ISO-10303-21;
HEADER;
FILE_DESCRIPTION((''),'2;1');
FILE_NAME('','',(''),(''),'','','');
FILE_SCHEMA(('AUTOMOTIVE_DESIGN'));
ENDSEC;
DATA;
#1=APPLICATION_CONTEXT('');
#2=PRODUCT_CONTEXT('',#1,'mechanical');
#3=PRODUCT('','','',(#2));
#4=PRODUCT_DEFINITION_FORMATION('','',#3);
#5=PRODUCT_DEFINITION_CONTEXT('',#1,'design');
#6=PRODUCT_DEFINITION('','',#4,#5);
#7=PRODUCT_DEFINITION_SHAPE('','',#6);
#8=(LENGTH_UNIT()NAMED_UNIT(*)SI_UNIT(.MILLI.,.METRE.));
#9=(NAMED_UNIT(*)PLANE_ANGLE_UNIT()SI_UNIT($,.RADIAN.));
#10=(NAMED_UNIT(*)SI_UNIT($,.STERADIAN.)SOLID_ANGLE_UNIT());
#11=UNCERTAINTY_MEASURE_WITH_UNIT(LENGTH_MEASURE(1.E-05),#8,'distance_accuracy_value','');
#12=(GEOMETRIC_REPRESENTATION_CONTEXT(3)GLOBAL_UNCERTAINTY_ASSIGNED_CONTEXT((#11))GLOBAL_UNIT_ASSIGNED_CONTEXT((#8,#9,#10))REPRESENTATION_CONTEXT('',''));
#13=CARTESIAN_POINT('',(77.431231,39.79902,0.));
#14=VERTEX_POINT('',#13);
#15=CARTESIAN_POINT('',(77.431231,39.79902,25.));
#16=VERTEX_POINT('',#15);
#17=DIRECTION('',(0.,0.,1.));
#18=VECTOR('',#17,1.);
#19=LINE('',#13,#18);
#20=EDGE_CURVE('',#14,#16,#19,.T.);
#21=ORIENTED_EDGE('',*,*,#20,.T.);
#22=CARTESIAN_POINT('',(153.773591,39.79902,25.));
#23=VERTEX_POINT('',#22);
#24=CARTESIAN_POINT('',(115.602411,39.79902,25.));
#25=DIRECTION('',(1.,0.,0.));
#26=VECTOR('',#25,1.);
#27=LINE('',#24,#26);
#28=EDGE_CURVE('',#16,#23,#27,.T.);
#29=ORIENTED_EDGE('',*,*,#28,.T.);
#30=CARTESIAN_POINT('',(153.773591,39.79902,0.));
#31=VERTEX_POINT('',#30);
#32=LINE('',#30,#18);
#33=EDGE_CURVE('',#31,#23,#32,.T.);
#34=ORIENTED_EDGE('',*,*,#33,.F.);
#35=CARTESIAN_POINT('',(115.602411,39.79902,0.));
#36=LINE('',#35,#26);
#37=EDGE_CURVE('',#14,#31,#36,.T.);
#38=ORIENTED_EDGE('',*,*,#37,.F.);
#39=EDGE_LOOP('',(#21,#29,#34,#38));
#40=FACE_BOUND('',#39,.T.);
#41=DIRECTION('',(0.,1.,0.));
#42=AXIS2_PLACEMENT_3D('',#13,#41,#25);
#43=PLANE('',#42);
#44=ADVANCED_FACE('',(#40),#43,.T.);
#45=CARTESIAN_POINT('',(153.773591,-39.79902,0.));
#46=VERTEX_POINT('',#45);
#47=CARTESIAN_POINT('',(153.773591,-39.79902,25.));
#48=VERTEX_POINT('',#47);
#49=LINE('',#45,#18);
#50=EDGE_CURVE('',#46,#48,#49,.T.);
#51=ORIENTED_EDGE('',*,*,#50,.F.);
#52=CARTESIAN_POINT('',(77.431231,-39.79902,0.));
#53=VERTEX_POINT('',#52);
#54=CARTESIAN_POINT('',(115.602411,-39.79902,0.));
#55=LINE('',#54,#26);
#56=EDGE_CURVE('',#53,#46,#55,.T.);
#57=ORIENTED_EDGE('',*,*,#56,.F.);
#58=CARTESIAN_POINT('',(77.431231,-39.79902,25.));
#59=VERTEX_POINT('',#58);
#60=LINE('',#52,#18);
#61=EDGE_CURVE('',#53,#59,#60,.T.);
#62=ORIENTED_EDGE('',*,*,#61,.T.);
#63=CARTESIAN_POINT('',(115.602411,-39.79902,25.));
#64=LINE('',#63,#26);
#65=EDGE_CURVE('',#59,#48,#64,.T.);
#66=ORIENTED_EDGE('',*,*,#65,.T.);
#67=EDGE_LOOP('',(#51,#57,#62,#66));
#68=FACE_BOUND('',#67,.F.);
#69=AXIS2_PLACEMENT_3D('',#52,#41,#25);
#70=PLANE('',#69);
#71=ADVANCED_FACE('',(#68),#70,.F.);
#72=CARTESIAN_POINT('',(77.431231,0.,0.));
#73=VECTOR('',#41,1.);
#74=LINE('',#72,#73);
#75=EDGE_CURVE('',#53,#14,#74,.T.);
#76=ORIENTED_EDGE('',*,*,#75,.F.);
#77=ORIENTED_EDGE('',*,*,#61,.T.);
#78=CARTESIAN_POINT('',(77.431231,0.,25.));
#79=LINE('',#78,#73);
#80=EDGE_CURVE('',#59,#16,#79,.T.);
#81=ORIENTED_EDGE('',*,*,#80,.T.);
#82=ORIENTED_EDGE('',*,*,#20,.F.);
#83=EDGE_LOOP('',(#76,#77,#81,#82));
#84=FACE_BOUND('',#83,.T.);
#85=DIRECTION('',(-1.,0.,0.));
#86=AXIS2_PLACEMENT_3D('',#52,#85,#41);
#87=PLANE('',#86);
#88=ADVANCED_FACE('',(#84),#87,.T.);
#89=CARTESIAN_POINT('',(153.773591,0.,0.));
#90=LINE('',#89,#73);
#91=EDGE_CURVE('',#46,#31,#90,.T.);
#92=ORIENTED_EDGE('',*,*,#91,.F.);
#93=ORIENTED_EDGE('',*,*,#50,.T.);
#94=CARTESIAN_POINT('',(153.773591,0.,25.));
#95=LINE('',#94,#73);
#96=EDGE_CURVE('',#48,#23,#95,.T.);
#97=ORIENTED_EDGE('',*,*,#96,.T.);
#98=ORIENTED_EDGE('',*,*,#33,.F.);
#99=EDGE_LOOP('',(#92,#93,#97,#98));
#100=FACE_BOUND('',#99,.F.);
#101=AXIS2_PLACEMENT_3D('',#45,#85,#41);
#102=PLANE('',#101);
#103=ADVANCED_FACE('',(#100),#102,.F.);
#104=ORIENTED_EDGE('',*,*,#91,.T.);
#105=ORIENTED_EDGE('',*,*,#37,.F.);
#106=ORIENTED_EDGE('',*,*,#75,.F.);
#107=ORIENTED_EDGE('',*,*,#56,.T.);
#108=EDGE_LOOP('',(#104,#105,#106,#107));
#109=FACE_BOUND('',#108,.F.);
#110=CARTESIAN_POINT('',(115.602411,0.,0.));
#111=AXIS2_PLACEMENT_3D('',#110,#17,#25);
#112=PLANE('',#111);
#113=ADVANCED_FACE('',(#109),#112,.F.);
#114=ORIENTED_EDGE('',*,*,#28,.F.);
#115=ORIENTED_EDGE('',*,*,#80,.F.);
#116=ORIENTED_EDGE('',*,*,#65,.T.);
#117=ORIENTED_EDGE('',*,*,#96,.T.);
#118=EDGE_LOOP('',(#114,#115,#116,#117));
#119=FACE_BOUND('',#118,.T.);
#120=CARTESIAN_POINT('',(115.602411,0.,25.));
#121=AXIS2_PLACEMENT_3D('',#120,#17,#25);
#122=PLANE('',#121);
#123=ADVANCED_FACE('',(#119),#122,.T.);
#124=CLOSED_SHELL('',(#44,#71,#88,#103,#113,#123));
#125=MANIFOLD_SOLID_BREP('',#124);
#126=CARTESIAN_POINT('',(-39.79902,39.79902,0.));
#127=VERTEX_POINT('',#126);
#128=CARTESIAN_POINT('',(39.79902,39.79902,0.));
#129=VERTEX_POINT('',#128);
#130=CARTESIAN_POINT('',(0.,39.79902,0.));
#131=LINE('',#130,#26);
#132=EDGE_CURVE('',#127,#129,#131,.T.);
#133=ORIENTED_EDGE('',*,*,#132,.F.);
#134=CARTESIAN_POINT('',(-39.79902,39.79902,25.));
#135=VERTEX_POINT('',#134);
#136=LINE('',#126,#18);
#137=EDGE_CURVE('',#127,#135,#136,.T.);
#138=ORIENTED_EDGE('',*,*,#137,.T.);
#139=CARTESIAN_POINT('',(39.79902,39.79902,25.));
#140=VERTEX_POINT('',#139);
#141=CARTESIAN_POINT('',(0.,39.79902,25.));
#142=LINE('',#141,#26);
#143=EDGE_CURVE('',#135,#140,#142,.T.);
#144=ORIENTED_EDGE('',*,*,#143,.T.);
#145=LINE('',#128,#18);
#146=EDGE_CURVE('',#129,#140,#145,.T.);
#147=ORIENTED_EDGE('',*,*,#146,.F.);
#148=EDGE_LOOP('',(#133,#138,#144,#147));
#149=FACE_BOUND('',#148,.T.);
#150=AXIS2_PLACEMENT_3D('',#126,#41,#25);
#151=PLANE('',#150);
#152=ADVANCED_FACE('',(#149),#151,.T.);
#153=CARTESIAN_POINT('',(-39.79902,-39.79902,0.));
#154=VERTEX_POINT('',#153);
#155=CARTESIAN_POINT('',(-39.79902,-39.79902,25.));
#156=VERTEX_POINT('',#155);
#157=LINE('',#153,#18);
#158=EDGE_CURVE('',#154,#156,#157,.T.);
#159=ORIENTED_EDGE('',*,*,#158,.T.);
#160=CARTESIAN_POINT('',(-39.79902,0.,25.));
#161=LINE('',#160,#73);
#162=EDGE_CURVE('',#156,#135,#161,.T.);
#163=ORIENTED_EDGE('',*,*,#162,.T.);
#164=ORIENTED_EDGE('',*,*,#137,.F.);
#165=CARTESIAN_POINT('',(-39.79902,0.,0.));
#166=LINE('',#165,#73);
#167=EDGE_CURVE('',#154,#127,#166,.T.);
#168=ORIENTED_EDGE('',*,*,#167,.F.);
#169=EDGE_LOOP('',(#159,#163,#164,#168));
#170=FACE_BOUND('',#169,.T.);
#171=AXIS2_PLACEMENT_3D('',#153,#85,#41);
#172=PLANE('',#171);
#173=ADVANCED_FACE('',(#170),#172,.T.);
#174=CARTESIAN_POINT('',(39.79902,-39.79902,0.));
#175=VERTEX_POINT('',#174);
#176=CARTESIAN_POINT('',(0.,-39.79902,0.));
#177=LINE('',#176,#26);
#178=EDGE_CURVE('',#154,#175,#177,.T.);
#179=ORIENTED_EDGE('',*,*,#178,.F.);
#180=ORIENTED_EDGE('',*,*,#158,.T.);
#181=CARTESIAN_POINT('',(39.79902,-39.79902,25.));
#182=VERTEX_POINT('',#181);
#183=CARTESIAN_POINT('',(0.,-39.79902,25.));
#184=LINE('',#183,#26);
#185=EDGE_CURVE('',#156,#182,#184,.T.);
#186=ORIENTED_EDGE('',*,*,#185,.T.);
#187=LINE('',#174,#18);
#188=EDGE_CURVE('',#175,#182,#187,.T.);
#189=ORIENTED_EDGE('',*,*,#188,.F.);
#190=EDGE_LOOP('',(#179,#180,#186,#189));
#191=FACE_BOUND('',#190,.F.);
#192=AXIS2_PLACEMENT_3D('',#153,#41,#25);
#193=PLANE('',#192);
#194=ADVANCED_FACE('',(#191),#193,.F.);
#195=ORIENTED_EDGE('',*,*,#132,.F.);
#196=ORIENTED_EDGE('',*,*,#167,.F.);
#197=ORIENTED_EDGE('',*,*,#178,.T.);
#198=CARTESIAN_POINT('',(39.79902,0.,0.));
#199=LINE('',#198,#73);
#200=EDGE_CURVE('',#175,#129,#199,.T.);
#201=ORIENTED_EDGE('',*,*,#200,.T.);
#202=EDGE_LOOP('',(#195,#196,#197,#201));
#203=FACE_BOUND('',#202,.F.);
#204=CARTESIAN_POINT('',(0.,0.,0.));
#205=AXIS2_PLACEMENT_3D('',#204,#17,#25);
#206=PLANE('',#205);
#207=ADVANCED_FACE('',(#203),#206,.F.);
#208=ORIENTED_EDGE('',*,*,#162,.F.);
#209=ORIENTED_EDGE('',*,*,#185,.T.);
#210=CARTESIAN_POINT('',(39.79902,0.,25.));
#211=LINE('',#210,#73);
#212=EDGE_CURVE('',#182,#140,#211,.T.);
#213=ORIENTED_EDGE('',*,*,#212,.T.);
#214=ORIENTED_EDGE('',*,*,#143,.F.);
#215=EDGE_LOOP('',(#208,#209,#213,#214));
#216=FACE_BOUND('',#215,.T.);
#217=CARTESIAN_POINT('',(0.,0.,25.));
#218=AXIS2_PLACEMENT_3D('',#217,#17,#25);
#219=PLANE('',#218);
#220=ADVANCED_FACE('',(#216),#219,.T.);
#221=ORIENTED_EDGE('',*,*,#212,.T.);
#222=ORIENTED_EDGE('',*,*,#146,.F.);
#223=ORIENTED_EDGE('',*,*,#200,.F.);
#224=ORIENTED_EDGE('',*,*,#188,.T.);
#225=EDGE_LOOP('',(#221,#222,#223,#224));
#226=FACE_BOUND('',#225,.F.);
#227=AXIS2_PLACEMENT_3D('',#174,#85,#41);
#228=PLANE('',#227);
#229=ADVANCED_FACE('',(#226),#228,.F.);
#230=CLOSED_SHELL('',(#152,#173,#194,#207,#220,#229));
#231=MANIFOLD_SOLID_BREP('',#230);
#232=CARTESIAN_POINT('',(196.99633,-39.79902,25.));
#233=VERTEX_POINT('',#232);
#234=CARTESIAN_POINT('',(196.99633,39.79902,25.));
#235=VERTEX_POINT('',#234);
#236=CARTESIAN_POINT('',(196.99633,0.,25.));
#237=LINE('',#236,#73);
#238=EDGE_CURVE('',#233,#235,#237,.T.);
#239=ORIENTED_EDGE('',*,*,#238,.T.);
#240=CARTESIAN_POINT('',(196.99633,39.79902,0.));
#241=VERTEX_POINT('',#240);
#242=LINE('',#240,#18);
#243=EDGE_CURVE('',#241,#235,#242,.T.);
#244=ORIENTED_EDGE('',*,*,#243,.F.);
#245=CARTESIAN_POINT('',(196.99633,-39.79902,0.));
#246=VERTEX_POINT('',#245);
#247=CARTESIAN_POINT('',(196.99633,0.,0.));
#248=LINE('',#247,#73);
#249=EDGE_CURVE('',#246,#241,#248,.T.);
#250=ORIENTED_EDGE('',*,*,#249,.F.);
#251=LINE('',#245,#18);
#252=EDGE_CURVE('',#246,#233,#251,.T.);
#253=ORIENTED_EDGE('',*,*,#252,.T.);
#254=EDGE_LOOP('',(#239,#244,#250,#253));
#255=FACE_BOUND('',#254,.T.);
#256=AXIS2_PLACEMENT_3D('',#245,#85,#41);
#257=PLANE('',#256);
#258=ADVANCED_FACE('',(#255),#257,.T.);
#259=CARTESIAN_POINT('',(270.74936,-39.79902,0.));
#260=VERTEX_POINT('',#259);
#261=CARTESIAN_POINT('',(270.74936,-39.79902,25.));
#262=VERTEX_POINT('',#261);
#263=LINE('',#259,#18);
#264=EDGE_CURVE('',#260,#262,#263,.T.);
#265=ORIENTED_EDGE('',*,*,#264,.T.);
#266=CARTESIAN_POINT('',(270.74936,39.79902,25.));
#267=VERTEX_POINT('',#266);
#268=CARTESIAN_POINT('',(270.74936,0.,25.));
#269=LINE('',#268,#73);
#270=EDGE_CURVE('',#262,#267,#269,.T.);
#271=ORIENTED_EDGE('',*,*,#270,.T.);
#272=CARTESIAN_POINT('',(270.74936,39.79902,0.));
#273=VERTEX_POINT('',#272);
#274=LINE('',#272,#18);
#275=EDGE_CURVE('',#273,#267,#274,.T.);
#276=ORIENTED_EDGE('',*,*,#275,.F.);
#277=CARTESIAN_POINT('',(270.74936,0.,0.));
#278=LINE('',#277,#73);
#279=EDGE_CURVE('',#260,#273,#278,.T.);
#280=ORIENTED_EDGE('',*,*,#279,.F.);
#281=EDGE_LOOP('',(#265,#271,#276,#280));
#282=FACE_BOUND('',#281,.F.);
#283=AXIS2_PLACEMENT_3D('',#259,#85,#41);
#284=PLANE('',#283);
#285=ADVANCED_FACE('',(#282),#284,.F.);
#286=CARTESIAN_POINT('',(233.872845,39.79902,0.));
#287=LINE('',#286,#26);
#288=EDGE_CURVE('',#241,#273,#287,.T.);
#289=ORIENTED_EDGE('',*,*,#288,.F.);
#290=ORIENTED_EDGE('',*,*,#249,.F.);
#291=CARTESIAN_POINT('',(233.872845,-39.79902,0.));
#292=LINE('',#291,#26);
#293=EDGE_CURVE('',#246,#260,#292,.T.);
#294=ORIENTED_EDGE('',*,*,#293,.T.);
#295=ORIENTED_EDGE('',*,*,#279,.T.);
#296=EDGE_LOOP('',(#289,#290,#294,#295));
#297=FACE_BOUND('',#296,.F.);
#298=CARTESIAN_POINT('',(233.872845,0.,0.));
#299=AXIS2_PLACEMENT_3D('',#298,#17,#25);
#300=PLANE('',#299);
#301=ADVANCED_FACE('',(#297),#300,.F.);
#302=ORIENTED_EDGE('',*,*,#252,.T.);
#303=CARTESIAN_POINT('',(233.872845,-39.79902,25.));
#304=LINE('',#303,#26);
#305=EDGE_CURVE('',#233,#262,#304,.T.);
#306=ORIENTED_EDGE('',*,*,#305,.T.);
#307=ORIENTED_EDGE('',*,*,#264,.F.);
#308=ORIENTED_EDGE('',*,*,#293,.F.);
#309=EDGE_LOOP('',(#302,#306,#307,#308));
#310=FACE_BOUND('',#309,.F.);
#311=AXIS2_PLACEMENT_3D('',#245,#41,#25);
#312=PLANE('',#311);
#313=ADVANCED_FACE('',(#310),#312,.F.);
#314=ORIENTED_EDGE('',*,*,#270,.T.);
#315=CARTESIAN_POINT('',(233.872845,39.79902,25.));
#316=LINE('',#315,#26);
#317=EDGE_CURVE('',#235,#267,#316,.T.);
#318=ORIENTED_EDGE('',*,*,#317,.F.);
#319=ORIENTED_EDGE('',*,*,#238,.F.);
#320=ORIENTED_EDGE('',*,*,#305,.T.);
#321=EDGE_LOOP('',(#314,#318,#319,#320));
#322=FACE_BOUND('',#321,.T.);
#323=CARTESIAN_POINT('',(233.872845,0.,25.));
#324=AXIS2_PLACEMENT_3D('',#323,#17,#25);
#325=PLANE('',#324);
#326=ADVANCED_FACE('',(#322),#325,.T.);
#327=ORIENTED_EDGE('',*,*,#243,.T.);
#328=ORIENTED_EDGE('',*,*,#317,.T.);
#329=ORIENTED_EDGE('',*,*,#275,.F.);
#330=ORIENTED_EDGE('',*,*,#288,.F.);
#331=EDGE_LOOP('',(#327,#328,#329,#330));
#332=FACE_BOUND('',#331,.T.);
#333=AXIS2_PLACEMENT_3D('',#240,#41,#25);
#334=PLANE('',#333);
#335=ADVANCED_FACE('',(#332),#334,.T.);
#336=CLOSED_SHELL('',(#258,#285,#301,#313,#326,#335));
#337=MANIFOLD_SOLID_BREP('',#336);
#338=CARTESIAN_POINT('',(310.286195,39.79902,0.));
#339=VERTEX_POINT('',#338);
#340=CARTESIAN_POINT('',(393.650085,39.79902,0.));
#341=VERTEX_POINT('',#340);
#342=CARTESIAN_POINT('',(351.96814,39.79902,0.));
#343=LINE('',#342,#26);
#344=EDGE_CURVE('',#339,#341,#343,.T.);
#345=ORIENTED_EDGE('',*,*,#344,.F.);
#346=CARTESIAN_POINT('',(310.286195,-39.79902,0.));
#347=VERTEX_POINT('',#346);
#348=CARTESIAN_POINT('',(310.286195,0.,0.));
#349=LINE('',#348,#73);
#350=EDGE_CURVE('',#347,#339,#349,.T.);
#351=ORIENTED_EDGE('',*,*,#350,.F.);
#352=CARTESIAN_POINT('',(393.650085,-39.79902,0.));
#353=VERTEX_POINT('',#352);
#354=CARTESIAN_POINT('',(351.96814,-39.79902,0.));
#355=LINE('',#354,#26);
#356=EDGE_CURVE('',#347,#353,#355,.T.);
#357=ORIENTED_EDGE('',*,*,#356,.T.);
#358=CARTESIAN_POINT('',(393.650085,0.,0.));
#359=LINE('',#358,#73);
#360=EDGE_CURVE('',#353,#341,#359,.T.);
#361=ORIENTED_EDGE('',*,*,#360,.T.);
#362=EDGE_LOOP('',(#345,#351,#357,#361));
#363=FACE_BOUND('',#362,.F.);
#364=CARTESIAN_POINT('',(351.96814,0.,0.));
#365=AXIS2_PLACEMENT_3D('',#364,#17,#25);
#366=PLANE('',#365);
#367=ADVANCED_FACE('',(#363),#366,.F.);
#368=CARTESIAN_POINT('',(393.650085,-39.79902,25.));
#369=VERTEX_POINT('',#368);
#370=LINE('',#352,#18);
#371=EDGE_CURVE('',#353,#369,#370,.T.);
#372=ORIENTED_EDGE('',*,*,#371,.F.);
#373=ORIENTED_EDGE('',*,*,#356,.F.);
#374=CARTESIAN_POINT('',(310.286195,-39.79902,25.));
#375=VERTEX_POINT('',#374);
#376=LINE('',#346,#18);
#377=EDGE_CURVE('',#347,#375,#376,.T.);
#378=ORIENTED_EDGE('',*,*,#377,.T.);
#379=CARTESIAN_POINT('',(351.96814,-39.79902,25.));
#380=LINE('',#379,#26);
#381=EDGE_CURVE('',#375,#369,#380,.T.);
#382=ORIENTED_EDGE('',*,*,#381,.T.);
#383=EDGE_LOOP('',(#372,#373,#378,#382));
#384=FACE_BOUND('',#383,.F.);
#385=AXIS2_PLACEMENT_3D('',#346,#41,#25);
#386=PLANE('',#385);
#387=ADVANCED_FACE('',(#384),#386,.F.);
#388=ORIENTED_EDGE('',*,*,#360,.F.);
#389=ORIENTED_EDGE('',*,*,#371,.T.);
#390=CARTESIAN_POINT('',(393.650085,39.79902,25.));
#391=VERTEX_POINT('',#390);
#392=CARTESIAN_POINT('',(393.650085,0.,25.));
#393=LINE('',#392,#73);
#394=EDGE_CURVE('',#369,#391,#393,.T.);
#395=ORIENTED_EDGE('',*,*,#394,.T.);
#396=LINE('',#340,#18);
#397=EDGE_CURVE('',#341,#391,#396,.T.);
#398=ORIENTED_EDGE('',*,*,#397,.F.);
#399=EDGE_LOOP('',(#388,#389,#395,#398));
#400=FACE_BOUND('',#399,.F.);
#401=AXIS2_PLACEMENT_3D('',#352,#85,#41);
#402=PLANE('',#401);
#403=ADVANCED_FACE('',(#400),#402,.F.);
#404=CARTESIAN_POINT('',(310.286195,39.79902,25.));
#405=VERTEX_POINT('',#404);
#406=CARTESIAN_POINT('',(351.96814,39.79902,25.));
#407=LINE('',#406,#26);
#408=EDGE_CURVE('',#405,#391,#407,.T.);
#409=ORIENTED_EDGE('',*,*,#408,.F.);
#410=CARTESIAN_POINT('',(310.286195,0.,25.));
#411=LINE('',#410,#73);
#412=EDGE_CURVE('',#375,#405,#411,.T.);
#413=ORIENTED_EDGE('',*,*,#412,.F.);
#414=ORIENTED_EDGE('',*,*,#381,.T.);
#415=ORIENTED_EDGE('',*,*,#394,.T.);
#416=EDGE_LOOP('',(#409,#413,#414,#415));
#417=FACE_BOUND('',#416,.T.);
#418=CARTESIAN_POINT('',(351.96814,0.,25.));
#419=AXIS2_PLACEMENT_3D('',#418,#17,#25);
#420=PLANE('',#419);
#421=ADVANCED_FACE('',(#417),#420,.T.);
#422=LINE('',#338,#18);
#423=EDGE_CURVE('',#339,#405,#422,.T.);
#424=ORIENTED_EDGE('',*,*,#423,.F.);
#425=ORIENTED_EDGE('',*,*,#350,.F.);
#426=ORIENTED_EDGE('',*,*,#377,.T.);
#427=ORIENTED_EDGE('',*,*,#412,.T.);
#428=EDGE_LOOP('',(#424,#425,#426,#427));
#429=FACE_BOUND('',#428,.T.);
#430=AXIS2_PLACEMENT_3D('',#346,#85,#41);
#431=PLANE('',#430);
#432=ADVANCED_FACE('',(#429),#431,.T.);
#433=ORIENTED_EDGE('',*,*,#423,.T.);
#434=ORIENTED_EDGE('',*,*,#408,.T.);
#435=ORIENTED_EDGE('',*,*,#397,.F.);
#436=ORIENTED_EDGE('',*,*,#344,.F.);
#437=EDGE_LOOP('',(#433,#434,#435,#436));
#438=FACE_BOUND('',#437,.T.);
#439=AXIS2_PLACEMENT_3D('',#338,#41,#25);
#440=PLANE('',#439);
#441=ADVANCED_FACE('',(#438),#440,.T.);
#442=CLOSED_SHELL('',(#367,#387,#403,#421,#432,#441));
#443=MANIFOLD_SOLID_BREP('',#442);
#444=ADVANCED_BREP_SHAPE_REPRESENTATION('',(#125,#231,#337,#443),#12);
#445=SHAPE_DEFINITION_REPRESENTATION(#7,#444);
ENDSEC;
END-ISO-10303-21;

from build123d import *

# Parameters (mm, degrees)
F0_W     = 79.59804
F0_H     = 79.59804
F0_W_2   = 76.342359
F0_W_3   = 73.753029
F0_W_4   = 83.363891
F1_DEPTH = 25


with BuildPart() as f1:
    # F0 (on Top) → F1 (new body)
    with BuildSketch(Plane.XY):
        Rectangle(F0_W, F0_H)
        with Locations((115.602411, 0)):
            Rectangle(F0_W_2, F0_H)
        with Locations((233.872845, 0)):
            Rectangle(F0_W_3, F0_H)
        with Locations((351.96814, 0)):
            Rectangle(F0_W_4, F0_H)
    extrude(amount=F1_DEPTH)


solid = f1.part
